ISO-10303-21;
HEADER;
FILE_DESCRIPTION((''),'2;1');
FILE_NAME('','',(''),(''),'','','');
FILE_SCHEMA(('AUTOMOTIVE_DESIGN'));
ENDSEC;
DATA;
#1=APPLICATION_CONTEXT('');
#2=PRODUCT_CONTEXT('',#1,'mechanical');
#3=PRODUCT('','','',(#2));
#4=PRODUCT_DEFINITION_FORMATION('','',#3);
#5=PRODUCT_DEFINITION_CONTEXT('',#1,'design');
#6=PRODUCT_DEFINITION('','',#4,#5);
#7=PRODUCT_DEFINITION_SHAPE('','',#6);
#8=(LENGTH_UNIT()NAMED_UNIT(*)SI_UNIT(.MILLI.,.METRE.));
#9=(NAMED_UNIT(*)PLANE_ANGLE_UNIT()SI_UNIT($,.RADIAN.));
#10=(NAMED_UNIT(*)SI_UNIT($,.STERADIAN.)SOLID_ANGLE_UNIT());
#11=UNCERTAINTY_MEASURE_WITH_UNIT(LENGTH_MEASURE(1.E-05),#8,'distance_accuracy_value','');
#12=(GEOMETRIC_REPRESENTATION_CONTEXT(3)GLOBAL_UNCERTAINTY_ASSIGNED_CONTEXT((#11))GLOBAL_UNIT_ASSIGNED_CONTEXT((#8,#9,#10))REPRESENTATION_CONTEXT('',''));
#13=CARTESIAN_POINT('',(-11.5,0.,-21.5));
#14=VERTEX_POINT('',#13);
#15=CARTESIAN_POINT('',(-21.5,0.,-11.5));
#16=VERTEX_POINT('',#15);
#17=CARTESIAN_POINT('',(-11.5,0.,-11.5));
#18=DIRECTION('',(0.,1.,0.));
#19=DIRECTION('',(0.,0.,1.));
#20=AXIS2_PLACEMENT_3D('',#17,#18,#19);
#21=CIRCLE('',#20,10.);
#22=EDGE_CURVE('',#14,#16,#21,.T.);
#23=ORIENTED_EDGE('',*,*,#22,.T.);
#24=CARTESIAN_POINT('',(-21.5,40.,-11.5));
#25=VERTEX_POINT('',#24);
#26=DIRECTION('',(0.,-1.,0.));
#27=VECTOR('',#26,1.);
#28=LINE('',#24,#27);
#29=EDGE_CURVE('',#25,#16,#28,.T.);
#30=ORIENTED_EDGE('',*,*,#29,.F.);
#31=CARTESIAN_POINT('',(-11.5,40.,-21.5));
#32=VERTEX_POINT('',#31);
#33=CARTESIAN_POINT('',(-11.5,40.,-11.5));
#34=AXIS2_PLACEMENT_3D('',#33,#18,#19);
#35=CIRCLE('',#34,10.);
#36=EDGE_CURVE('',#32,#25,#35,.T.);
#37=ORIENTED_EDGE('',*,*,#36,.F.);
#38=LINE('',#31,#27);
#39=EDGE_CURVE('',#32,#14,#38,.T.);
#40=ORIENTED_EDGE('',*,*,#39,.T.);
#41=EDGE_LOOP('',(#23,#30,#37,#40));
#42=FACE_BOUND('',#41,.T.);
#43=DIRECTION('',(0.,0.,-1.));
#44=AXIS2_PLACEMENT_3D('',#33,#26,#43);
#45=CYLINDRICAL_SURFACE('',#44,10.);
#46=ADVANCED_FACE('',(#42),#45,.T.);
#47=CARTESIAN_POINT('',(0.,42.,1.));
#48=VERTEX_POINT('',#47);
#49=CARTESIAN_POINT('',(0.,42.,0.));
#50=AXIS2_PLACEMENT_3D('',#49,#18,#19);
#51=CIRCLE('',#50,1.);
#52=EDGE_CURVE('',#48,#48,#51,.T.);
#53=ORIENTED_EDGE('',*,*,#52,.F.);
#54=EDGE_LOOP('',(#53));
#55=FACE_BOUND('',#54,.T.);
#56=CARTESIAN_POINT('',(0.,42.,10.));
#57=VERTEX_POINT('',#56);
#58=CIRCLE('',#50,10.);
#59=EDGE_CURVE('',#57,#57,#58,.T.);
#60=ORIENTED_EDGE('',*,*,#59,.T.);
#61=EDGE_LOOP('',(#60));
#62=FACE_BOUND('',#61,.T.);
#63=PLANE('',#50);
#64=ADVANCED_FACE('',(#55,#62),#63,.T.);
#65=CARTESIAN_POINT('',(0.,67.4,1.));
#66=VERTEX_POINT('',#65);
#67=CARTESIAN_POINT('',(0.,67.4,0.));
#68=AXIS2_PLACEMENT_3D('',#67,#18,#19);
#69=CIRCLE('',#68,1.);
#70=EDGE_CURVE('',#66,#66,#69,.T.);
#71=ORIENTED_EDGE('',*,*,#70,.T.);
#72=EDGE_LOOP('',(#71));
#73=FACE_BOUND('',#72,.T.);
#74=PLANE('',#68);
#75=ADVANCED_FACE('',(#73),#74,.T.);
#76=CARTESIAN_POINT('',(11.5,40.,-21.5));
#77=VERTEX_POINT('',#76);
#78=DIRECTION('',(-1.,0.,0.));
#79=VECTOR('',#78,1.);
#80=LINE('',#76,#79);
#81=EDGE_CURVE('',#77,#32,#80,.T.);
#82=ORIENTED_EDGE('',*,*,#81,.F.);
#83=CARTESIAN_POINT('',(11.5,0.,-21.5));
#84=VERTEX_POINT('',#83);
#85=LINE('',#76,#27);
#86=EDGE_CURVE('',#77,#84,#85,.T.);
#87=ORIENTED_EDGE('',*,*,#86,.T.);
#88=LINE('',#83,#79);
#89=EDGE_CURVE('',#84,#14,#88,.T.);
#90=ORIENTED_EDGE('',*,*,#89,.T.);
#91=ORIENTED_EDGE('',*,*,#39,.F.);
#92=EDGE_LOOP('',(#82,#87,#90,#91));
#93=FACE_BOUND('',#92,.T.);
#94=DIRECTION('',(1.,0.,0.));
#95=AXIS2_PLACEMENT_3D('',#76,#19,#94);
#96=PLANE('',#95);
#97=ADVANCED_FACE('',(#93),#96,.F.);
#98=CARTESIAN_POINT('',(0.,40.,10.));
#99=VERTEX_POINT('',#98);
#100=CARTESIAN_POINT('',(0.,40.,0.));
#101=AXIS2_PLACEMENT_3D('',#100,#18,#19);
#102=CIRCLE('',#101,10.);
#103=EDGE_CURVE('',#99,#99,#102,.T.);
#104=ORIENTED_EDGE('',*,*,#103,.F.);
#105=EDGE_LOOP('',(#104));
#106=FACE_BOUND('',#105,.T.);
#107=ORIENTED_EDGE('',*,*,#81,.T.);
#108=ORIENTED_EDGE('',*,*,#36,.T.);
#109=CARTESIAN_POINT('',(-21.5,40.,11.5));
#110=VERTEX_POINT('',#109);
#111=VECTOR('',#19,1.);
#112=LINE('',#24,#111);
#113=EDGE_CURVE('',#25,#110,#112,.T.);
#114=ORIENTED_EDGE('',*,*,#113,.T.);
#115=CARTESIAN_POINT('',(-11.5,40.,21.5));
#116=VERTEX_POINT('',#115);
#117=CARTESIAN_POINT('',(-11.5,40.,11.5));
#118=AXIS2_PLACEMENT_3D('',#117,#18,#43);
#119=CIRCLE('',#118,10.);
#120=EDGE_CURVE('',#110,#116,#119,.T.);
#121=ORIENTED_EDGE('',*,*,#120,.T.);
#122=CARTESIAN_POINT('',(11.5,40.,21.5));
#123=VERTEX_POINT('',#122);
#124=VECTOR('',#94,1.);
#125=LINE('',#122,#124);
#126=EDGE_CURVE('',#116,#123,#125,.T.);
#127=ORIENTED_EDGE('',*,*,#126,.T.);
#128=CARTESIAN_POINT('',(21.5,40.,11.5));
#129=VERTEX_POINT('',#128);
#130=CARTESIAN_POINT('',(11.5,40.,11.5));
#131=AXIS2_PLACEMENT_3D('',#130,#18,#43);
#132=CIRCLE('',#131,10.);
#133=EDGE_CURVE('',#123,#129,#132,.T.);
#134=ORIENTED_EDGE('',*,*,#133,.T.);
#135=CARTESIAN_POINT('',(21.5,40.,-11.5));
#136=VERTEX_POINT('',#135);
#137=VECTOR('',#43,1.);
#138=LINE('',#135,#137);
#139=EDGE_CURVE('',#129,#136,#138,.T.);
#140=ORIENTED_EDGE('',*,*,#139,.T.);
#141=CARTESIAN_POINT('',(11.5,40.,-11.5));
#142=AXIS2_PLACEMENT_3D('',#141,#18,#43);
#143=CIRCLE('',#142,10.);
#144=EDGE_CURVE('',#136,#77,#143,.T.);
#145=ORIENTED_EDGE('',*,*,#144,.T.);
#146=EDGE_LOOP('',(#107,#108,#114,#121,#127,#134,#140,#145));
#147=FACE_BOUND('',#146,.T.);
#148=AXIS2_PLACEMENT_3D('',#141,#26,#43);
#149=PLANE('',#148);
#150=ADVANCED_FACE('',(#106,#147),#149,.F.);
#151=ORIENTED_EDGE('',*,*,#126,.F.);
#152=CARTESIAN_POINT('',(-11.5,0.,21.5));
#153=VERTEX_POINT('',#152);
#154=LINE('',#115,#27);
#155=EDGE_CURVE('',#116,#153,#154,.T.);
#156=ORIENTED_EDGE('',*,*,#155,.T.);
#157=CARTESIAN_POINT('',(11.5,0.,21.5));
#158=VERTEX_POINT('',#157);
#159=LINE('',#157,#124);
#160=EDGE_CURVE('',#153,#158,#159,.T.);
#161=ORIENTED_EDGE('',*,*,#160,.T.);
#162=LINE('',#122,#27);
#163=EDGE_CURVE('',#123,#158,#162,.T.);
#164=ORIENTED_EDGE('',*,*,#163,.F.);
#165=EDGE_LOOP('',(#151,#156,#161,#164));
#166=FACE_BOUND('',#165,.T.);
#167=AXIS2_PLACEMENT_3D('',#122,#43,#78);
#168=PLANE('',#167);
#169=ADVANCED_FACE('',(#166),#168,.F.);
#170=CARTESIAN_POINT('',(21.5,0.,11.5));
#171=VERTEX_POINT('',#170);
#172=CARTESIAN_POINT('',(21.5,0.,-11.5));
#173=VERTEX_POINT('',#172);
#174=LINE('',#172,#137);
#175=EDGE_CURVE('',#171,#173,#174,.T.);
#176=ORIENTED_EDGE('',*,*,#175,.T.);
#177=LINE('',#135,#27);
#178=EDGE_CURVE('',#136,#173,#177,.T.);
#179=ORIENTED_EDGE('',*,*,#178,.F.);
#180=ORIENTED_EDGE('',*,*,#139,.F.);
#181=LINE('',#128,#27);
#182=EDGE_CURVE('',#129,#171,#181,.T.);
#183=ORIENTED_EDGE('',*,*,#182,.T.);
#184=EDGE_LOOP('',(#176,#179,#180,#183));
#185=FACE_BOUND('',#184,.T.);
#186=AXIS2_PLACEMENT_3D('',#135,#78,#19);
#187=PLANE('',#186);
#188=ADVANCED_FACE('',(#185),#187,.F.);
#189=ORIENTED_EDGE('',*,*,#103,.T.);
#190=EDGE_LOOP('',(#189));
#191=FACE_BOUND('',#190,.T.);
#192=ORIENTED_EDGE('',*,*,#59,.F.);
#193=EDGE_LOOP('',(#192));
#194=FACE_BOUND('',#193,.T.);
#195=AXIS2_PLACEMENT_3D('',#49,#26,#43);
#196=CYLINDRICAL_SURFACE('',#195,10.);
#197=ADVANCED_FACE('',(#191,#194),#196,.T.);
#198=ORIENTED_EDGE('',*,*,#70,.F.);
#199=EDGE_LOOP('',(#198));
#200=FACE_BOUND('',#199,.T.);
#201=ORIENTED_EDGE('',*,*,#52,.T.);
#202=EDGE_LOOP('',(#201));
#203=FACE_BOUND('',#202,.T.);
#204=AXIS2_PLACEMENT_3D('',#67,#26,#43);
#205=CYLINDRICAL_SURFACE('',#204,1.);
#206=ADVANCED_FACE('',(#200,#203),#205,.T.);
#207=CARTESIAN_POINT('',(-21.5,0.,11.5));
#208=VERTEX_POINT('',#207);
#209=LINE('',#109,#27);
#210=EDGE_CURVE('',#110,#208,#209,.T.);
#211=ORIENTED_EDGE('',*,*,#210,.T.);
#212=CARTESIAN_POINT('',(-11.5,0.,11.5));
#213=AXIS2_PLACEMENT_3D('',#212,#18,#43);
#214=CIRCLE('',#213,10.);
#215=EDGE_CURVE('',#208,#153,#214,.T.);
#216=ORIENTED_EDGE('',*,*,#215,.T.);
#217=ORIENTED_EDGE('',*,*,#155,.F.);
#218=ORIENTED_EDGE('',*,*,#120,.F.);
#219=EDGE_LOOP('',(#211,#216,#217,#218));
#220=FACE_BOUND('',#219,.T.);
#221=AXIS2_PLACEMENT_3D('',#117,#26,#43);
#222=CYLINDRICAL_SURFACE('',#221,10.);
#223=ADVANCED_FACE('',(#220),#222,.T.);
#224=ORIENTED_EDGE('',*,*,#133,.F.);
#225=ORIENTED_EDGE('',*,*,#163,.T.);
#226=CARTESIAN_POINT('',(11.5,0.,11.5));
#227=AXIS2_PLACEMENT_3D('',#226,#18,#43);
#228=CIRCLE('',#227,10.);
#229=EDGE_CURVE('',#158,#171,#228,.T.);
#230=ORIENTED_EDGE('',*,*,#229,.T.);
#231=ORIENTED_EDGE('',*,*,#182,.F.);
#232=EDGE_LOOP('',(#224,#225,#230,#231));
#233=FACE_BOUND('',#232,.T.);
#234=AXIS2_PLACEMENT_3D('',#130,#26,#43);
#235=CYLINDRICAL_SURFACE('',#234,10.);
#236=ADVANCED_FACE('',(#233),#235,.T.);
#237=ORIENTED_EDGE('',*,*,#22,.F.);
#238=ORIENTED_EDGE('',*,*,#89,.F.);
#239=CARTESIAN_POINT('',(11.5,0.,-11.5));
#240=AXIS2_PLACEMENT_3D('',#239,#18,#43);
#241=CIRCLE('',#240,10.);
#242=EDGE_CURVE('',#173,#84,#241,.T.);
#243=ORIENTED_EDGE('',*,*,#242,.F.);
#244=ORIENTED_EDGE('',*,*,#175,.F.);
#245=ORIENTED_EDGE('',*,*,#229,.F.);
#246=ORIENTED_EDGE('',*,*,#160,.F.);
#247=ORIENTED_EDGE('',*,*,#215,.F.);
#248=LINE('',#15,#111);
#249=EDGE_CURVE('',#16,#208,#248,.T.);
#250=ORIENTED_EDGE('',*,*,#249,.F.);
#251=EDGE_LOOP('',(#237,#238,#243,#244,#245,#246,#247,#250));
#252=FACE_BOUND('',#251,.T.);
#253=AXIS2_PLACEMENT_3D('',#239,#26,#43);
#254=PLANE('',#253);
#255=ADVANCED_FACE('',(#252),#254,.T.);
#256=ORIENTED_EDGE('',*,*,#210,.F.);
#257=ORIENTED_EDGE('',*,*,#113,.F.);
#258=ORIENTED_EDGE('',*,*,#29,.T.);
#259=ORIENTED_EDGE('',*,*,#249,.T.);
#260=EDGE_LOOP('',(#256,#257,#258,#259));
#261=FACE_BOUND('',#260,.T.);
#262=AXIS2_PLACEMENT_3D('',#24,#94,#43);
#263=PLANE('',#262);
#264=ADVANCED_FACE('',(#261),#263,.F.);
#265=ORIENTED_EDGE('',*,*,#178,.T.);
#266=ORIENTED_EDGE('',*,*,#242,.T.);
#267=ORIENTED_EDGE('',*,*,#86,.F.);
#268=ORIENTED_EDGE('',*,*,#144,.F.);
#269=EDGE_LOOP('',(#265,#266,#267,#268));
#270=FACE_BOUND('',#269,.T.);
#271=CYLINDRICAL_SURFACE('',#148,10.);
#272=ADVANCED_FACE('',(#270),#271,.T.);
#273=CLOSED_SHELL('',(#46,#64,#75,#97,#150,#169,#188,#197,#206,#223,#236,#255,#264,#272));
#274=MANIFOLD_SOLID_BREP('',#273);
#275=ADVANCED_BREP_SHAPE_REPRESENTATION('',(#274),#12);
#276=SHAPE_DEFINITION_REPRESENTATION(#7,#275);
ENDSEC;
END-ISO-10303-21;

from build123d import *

# Parameters (mm, degrees)
BOSS_EXTRUDE1_DEPTH = 40
SKETCH2_R           = 10
BOSS_EXTRUDE2_DEPTH = 2
SKETCH3_R           = 1
BOSS_EXTRUDE3_DEPTH = 25.4


with BuildPart() as part:
    # Sketch1 → Boss-Extrude1 (new body)
    with BuildSketch(Plane(origin=(0, 0, 0), x_dir=(1, 0, 0), z_dir=(0, 1, 0))):
        with BuildLine():
            Line((11.5, 21.5), (-11.5, 21.5))
            ThreePointArc((-11.5, 21.5), (-18.571067812, 18.571067812), (-21.5, 11.5))
            Line((-21.5, 11.5), (-21.5, -11.5))
            ThreePointArc((-21.5, -11.5), (-18.571067812, -18.571067812), (-11.5, -21.5))
            Line((-11.5, -21.5), (11.5, -21.5))
            ThreePointArc((11.5, -21.5), (18.571067812, -18.571067812), (21.5, -11.5))
            Line((21.5, -11.5), (21.5, 11.5))
            ThreePointArc((21.5, 11.5), (18.571067812, 18.571067812), (11.5, 21.5))
        make_face()
    extrude(amount=BOSS_EXTRUDE1_DEPTH)

    # Sketch2 → Boss-Extrude2 (add)
    with BuildSketch(Plane(origin=(0, 40, 0), x_dir=(1, 0, 0), z_dir=(0, 1, 0))):
        with Locations(Location((0, 0, 0), (0, 0, 270))):
            Circle(SKETCH2_R)
    extrude(amount=BOSS_EXTRUDE2_DEPTH)

    # Sketch3 → Boss-Extrude3 (add)
    with BuildSketch(Plane(origin=(0, 42, 0), x_dir=(1, 0, 0), z_dir=(0, 1, 0))):
        with Locations(Location((0, 0, 0), (0, 0, 270))):
            Circle(SKETCH3_R)
    extrude(amount=BOSS_EXTRUDE3_DEPTH)


solid = part.part
